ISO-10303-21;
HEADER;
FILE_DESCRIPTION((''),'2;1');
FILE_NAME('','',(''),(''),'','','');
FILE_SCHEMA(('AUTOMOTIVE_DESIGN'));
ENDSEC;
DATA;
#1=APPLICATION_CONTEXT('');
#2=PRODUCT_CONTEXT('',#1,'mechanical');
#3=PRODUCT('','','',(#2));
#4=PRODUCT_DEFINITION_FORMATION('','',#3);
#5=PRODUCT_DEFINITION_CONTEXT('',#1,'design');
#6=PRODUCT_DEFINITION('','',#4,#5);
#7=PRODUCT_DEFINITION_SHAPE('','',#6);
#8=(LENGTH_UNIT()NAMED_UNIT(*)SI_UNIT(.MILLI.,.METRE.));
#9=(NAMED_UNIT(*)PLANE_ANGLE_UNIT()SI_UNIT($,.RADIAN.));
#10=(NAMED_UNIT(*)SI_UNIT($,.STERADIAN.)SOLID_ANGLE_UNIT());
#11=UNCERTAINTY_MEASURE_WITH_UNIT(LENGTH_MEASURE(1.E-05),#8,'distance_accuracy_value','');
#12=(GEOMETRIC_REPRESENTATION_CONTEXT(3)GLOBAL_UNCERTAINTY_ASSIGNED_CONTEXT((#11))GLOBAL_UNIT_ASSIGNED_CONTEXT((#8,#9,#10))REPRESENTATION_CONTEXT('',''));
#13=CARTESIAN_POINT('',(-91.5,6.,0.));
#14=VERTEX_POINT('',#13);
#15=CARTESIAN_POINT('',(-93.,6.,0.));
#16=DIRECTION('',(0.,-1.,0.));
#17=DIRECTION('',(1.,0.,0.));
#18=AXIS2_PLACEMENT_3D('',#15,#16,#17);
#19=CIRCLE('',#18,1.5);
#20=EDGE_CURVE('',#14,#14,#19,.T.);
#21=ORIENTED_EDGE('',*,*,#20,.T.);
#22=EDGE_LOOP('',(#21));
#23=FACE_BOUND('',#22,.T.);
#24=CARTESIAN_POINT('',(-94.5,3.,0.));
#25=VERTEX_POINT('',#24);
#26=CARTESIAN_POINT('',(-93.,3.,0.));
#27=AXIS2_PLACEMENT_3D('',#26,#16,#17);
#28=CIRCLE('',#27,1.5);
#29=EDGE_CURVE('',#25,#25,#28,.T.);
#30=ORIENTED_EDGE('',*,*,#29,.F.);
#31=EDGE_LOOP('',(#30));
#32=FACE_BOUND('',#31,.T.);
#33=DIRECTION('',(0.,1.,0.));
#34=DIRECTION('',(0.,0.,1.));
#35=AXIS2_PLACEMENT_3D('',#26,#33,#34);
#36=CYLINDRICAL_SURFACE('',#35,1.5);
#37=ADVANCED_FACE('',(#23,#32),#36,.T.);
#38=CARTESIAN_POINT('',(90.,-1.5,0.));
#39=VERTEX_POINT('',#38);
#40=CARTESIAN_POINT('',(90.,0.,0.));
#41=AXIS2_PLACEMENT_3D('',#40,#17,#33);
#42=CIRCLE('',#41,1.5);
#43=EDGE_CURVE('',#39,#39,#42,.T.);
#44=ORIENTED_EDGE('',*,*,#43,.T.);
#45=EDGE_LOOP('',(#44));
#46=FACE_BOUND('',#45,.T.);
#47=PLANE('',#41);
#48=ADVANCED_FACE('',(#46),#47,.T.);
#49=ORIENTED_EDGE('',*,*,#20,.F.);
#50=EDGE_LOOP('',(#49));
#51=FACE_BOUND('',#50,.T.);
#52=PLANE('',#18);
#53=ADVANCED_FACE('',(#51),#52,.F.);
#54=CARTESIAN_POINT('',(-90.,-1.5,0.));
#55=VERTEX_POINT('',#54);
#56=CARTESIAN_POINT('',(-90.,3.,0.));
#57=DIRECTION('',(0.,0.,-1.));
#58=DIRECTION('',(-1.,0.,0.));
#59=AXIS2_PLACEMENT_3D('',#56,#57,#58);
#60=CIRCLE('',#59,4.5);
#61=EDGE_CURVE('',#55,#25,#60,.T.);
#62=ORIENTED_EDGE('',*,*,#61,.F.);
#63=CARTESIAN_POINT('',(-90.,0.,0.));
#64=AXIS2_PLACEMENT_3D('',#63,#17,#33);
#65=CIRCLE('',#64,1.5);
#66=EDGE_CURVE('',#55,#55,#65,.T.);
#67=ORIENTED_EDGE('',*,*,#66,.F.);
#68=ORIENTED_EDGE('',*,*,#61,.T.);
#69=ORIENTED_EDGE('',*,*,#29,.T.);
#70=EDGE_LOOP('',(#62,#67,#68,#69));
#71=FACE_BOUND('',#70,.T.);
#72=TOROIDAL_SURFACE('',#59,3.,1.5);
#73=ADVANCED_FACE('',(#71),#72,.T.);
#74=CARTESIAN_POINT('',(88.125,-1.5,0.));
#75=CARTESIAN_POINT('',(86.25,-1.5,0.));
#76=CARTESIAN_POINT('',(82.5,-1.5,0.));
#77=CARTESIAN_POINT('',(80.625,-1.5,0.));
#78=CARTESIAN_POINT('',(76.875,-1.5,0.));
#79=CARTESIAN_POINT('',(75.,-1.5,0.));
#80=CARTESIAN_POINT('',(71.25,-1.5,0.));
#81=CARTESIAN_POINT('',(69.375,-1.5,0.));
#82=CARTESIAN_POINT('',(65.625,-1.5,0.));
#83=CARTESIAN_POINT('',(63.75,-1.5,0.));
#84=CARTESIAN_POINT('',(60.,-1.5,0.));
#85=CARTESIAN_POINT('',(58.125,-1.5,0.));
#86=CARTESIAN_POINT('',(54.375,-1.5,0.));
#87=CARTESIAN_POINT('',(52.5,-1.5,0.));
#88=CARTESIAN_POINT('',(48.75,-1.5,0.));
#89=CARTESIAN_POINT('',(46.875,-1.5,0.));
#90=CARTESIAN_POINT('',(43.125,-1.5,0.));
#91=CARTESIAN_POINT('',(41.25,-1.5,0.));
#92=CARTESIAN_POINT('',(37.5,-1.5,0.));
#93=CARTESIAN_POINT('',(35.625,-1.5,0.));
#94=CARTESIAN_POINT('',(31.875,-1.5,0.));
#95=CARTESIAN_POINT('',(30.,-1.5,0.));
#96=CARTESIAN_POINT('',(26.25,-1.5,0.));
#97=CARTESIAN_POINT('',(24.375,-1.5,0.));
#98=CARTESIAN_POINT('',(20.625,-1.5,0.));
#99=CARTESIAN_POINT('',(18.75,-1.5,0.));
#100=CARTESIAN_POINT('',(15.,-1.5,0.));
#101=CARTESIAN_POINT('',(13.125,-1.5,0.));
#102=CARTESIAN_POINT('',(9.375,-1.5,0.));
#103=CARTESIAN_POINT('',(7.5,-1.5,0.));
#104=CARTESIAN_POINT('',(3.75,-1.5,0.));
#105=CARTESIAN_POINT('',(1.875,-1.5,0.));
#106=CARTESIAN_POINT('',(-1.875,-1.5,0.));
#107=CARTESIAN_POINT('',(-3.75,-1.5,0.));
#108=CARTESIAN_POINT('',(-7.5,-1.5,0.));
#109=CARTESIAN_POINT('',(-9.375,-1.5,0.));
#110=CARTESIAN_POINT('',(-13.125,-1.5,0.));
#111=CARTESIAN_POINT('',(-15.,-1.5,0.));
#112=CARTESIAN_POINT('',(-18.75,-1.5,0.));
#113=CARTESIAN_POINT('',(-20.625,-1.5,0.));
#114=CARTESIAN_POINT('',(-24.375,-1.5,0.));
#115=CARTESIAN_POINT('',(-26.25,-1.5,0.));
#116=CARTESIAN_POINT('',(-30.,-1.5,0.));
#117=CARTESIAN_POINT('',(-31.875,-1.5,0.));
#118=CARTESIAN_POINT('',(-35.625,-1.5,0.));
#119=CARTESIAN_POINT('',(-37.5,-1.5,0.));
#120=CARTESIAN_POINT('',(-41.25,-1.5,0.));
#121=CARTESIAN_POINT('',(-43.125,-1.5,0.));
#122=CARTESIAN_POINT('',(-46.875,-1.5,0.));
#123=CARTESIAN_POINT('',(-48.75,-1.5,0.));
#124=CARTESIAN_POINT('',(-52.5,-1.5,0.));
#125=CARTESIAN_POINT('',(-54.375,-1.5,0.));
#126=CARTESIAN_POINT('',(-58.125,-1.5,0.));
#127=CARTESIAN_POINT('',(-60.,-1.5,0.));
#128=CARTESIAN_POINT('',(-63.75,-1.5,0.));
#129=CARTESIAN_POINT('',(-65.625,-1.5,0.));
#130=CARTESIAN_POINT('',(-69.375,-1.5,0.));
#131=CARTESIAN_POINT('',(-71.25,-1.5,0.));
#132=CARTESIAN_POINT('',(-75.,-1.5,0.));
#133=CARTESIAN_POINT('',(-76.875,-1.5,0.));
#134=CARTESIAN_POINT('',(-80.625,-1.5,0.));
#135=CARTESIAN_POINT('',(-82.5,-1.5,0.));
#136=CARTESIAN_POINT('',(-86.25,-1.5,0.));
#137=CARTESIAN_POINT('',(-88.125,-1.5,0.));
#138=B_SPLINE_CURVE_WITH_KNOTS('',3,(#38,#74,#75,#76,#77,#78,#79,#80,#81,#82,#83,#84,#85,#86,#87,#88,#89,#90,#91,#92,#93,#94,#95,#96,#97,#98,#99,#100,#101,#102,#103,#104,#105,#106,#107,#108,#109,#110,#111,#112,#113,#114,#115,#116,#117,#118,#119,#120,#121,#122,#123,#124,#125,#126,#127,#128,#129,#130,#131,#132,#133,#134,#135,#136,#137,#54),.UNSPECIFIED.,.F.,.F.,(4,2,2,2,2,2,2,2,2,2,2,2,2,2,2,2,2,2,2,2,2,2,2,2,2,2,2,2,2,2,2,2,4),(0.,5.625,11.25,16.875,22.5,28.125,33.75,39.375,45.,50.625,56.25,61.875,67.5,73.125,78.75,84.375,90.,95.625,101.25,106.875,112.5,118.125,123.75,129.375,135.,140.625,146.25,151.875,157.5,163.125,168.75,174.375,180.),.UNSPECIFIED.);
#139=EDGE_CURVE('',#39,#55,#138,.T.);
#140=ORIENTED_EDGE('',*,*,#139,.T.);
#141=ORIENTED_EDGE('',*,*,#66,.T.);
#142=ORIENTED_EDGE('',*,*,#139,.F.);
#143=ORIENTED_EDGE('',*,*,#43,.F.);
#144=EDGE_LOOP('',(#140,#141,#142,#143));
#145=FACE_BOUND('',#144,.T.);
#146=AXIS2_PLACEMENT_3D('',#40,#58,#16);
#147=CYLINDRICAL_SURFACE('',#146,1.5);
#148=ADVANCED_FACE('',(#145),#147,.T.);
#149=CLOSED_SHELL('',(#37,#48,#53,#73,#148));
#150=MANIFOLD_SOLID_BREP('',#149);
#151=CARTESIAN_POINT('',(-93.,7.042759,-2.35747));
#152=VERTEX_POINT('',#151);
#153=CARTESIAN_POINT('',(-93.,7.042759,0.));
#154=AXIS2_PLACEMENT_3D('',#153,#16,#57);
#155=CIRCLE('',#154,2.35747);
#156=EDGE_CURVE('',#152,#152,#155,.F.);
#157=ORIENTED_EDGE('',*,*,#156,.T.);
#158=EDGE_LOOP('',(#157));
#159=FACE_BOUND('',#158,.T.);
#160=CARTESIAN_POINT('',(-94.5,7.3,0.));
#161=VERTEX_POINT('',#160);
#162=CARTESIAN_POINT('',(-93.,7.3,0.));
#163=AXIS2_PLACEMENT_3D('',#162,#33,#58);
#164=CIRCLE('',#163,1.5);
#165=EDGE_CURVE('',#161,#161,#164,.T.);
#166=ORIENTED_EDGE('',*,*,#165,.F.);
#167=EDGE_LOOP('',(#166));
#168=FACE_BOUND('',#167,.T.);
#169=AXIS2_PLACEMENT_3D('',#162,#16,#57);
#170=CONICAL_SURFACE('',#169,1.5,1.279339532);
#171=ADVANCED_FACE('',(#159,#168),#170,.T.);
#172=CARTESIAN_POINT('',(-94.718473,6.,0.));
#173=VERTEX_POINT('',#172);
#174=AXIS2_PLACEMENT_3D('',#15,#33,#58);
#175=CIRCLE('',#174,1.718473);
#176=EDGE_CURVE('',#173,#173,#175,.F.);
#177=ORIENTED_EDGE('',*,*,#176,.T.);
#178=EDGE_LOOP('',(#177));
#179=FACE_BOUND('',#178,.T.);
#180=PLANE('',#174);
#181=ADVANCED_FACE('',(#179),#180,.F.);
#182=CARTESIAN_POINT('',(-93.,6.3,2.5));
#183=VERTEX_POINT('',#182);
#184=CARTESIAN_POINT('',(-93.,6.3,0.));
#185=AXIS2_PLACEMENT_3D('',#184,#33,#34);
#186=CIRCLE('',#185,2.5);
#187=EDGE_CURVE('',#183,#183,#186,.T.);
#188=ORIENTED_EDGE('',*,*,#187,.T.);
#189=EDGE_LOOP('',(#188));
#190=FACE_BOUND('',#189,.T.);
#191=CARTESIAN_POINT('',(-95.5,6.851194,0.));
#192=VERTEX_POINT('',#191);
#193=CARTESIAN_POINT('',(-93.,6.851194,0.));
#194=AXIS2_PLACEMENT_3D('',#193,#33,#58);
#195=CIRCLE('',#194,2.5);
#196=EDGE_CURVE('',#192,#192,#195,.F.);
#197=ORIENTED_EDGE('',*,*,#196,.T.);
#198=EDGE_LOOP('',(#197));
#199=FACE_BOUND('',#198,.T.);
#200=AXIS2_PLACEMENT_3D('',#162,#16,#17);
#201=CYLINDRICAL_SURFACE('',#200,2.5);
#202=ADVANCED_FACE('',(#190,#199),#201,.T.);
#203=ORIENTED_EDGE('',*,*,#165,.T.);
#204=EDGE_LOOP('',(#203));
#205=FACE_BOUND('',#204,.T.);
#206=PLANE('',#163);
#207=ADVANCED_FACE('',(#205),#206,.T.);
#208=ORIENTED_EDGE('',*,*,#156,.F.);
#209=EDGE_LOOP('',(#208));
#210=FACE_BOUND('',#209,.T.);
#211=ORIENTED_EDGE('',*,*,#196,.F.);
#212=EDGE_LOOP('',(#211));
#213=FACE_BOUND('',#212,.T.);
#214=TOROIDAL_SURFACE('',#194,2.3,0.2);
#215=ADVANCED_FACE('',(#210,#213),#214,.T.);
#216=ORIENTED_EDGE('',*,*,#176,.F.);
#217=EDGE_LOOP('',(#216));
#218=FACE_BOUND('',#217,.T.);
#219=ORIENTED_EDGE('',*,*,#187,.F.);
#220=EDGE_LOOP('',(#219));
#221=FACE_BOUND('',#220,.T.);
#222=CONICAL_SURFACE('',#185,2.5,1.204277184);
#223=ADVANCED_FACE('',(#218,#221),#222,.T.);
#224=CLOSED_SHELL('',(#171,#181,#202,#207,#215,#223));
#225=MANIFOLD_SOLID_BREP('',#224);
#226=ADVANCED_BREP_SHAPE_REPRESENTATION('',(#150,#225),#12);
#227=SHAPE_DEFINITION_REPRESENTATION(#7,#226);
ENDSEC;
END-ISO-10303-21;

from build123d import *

# Parameters (mm, degrees)
SKETCH_12_ON_SEGMENT_1_R = 1.5
ROUND_D3MM_1_DEPTH       = 3
SKETCH_12_ON_SEGMENT_2_R = 1.5
ROUND_D3MM_1_2_ANGLE     = 90
SKETCH_12_R              = 1.5
ROUND_D3MM_1_3_DEPTH     = 180
SKETCH_13_R              = 2.5
EXTRUDE_1_DEPTH          = 1.3
CHAMFER_1_SIZE           = 0.3
CHAMFER_1_SIZE2          = 1
CHAMFER_2_SIZE           = 0.3
CHAMFER_2_SIZE2          = 0.781526719
FILLET_5_R               = 0.2


with BuildPart() as part:
    # Эскиз12 on segment 1 (carried to segment 1) → Round D3MM(1) (new body)
    with BuildSketch(Plane(origin=(-93, 3, 0), x_dir=(-1, 0, 0), z_dir=(0, 1, 0))):
        Circle(SKETCH_12_ON_SEGMENT_1_R)
    extrude(amount=ROUND_D3MM_1_DEPTH)


with BuildPart() as body_2:
    # Эскиз12 on segment 2 (carried to the start of arc 2) → Round D3MM_1 2 (revolve)
    with BuildSketch(Plane(origin=(-90, 0, 0), x_dir=(0, -1, 0), z_dir=(-1, 0, 0))):
        Circle(SKETCH_12_ON_SEGMENT_2_R)
    revolve(axis=Axis((-90, 3, 0), (0, 0, -1)), revolution_arc=ROUND_D3MM_1_2_ANGLE)


with BuildPart() as body_3:
    # Эскиз12 → Round D3MM_1 3 (new body)
    with BuildSketch(Plane.YZ.offset(-90)):
        Circle(SKETCH_12_R)
    extrude(amount=ROUND_D3MM_1_3_DEPTH)


with BuildPart() as part_1:
    add(part.part)

    # Round D3MM(1) as one body: union body 2, body 3
    add(body_2.part)
    add(body_3.part)


with BuildPart() as body_2_2:
    # Эскиз13 → Бобышка-Вытянуть1 (new body)
    with BuildSketch(Plane(origin=(0, 6, 0), x_dir=(1, 0, 0), z_dir=(0, 1, 0))):
        with Locations(Location((-93, 0, 0), (0, 0, 180))):
            Circle(SKETCH_13_R)
    extrude(amount=EXTRUDE_1_DEPTH)

    # Фаска1
    chamfer_1_edges = [body_2_2.edges().sort_by_distance(p)[0] for p in [
        (-90.5, 7.3, 0),
    ]]
    chamfer_1_side = [body_2_2.faces().sort_by_distance(p)[0] for p in [
        (-90.5, 6.65, 0),
    ]]
    chamfer(chamfer_1_edges, length=CHAMFER_1_SIZE, length2=CHAMFER_1_SIZE2, reference=chamfer_1_side[0])

    # Фаска2
    chamfer_2_edges = [body_2_2.edges().sort_by_distance(p)[0] for p in [
        (-90.5, 6, 0),
    ]]
    chamfer_2_side = [body_2_2.faces().sort_by_distance(p)[0] for p in [
        (-90.5, 6.5, 0),
    ]]
    chamfer(chamfer_2_edges, length=CHAMFER_2_SIZE, length2=CHAMFER_2_SIZE2, reference=chamfer_2_side[0])

    # Скругление5
    fillet_5_edges = [body_2_2.edges().sort_by_distance(p)[0] for p in [
        (-90.5, 7, 0),
    ]]
    fillet(fillet_5_edges, radius=FILLET_5_R)


solid = Compound([part_1.part, body_2_2.part])
